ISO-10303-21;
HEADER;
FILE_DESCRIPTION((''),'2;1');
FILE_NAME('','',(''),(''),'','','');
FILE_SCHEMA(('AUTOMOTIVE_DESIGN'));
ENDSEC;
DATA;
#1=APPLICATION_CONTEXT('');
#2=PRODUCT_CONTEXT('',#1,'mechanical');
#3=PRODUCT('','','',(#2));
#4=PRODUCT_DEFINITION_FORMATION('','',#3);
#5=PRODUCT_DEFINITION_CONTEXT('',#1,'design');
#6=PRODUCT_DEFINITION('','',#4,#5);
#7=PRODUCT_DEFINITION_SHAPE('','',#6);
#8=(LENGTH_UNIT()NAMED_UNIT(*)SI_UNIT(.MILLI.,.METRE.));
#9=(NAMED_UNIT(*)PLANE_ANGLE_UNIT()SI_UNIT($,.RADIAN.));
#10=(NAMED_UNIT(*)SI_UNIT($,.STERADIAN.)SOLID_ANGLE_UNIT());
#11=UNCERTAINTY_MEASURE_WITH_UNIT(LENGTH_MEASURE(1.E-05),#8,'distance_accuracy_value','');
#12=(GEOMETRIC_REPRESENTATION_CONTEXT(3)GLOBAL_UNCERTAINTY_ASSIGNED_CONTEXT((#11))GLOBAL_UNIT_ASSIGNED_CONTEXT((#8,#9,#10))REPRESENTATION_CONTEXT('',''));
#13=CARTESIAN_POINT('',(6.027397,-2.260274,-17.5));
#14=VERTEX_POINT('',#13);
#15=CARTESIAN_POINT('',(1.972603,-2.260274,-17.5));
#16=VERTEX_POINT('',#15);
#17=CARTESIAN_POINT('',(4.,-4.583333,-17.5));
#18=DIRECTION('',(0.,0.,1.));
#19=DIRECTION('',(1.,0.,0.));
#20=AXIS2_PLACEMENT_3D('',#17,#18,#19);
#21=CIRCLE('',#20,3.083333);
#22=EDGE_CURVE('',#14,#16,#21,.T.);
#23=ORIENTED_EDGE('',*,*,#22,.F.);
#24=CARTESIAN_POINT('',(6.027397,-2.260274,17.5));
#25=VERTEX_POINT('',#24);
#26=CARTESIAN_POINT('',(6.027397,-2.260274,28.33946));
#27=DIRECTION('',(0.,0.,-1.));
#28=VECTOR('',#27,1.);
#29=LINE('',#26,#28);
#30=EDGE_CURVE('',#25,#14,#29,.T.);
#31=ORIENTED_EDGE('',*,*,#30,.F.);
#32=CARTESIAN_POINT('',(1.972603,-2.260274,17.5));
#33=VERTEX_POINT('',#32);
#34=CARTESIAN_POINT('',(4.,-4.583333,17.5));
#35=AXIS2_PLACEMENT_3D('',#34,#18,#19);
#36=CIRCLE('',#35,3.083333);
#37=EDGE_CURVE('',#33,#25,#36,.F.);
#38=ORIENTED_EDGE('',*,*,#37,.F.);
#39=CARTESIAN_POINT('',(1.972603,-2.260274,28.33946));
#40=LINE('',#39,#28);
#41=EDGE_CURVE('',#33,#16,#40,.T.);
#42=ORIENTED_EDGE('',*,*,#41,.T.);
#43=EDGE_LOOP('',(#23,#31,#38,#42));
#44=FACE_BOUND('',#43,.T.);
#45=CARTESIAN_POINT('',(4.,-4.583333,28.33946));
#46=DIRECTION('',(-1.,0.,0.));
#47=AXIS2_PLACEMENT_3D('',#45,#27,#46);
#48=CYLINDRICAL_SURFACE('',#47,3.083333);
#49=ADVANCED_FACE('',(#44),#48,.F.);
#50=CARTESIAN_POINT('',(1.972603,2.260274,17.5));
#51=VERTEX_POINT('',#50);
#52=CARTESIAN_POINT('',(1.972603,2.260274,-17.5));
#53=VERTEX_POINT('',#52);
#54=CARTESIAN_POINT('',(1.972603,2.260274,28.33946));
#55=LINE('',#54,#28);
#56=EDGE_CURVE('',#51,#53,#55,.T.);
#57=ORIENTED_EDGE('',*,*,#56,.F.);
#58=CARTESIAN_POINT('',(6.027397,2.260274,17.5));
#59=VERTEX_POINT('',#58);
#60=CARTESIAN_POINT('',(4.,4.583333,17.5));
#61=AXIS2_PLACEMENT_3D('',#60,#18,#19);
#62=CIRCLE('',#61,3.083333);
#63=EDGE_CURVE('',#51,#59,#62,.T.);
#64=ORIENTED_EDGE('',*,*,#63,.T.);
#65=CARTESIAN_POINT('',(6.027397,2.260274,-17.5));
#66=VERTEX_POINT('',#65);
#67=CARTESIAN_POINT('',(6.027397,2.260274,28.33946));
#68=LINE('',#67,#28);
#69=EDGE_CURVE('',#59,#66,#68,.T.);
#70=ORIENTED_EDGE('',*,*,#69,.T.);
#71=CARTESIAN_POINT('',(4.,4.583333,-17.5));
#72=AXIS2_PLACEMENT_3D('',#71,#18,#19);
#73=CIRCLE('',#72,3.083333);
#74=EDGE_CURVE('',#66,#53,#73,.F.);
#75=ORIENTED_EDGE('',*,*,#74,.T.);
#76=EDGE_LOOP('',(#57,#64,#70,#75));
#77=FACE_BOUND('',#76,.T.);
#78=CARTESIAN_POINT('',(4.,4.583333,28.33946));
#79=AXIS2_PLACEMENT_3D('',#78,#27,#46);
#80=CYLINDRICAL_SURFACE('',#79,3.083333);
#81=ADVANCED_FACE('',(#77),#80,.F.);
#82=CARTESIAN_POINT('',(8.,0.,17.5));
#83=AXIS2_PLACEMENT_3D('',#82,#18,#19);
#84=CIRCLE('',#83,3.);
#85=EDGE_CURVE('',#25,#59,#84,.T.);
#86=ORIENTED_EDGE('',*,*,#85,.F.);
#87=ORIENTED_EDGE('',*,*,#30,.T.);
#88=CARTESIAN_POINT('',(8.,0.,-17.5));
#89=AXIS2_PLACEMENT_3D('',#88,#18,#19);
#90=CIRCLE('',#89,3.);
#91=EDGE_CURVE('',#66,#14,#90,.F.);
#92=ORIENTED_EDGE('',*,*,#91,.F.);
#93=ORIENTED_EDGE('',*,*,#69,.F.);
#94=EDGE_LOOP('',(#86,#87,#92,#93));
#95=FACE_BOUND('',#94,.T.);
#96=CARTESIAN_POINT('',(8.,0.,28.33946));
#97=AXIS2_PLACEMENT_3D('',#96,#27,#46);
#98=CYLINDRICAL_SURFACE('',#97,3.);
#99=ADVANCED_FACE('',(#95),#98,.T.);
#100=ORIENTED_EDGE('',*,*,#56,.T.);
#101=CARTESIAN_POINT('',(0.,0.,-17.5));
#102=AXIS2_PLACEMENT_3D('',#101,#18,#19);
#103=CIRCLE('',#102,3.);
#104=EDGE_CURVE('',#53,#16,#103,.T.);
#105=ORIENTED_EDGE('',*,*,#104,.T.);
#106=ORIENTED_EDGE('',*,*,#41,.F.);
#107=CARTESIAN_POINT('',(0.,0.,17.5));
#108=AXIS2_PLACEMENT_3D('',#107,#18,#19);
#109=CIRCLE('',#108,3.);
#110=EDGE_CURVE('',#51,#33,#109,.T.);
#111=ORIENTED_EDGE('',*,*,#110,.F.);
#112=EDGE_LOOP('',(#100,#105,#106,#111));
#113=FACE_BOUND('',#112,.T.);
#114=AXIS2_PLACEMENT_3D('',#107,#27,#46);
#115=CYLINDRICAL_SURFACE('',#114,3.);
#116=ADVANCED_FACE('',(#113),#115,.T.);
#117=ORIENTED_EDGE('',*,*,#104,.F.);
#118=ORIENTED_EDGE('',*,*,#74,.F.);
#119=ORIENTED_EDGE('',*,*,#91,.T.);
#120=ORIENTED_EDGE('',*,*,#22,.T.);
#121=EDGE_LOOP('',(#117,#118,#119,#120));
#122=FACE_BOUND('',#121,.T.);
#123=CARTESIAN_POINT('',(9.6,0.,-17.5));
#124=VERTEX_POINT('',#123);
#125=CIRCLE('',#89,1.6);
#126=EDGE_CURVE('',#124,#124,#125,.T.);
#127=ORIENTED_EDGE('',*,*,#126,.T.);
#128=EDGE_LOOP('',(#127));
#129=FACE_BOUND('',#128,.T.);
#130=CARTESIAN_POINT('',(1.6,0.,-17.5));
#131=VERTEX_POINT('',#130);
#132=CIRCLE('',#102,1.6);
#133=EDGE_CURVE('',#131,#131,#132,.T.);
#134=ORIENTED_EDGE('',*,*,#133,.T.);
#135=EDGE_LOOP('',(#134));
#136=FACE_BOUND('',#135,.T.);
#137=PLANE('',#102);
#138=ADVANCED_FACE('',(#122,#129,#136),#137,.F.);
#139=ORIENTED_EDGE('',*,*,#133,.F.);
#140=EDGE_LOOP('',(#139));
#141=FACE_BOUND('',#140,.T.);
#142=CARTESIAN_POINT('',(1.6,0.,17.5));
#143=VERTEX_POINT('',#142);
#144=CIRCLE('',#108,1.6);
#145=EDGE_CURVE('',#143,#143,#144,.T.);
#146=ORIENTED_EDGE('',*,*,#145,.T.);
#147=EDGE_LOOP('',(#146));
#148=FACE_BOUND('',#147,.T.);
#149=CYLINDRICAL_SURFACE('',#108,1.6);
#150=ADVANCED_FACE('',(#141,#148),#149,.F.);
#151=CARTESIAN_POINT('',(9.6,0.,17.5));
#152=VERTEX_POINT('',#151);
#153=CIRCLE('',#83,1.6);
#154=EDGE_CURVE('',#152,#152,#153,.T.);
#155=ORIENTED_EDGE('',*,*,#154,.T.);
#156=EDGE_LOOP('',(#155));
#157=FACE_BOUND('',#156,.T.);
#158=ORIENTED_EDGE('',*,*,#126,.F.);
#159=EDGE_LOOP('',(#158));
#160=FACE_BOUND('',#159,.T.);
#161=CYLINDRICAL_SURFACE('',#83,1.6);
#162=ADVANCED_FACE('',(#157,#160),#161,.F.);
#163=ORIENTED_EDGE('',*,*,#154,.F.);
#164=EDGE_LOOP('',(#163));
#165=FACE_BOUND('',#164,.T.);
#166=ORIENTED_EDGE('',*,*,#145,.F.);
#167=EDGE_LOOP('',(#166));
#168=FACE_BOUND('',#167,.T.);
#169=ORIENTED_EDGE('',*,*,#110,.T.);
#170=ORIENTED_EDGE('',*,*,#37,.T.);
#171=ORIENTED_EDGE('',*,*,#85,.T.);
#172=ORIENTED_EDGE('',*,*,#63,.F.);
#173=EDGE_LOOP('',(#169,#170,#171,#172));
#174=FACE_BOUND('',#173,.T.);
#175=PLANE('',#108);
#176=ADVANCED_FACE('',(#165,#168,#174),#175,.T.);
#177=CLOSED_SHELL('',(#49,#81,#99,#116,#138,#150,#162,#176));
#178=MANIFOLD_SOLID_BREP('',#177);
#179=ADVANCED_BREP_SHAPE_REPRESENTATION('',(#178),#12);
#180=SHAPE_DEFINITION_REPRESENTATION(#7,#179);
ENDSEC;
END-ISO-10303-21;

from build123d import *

# Parameters (mm, degrees)
SKETCH1_R                       = 3
BOSS_EXTRUDE1_DEPTH             = 17.5
M3_CLEARANCE_HOLE_D             = 3.2
BOSS_EXTRUDE2_REACH             = 19.5
SKETCH2_R                       = 3
BOSS_EXTRUDE2_DIRECTION_2_REACH = 19.5
M3_CLEARANCE_HOLE2_D            = 3.2


with BuildPart() as part:
    # Sketch1 → Boss-Extrude1 (new body, symmetric)
    with BuildSketch(Plane.XY):
        Circle(SKETCH1_R)
    extrude(amount=BOSS_EXTRUDE1_DEPTH, both=True)

    # M3 Clearance Hole (through all)
    with Locations(Plane.XY.offset(17.5)):
        with Locations((0, 0)):
            Hole(M3_CLEARANCE_HOLE_D / 2)

    # Boss-Extrude2: up to this face of the body (flat: up to its plane)
    boss_extrude2_end = Plane(part.part.faces().sort_by_distance((-2.915147186, 0, 17.5))[0])
    # Sketch2 → Boss-Extrude2 (add, up to the picked face)
    with BuildSketch(Plane.XY, mode=Mode.PRIVATE) as boss_extrude2_sk1:
        with Locations((8, 0)):
            Circle(SKETCH2_R)
    boss_extrude2_tool1 = split(extrude(boss_extrude2_sk1.sketch, amount=BOSS_EXTRUDE2_REACH, mode=Mode.PRIVATE), bisect_by=boss_extrude2_end, keep=Keep.BOTH, mode=Mode.PRIVATE)
    add(boss_extrude2_tool1.solids().sort_by_distance((8, 0, 0))[0])
    # Sketch2 → Boss-Extrude2 (add, up to the picked face)
    with BuildSketch(Plane.XY, mode=Mode.PRIVATE) as boss_extrude2_sk2:
        with BuildLine():
            ThreePointArc((6.02739726, -2.260273973), (5, 0), (6.02739726, 2.260273973))
            ThreePointArc((6.02739726, 2.260273973), (4, 1.5), (1.97260274, 2.260273973))
            ThreePointArc((1.97260274, 2.260273973), (2.731099432, 1.241408833), (3, 0))
            ThreePointArc((3, 0), (2.731099432, -1.241408833), (1.97260274, -2.260273973))
            ThreePointArc((1.97260274, -2.260273973), (4, -1.5), (6.02739726, -2.260273973))
        make_face()
    boss_extrude2_tool2 = split(extrude(boss_extrude2_sk2.sketch, amount=BOSS_EXTRUDE2_REACH, mode=Mode.PRIVATE), bisect_by=boss_extrude2_end, keep=Keep.BOTH, mode=Mode.PRIVATE)
    add(boss_extrude2_tool2.solids().sort_by_distance((4, 0, 0))[0])

    # Boss-Extrude2 direction 2: up to this face of the body (flat: up to its plane)
    boss_extrude2_direction_2_end = Plane(part.part.faces().sort_by_distance((-2.915147186, 0, -17.5))[0])
    # Sketch2 → Boss-Extrude2 direction 2 (add, up to the picked face)
    with BuildSketch(Plane.XY, mode=Mode.PRIVATE) as boss_extrude2_direction_2_sk1:
        with Locations((8, 0)):
            Circle(SKETCH2_R)
    boss_extrude2_direction_2_tool1 = split(extrude(boss_extrude2_direction_2_sk1.sketch, amount=-BOSS_EXTRUDE2_DIRECTION_2_REACH, mode=Mode.PRIVATE), bisect_by=boss_extrude2_direction_2_end, keep=Keep.BOTH, mode=Mode.PRIVATE)
    add(boss_extrude2_direction_2_tool1.solids().sort_by_distance((8, 0, 0))[0])
    # Sketch2 → Boss-Extrude2 direction 2 (add, up to the picked face)
    with BuildSketch(Plane.XY, mode=Mode.PRIVATE) as boss_extrude2_direction_2_sk2:
        with BuildLine():
            ThreePointArc((6.02739726, -2.260273973), (5, 0), (6.02739726, 2.260273973))
            ThreePointArc((6.02739726, 2.260273973), (4, 1.5), (1.97260274, 2.260273973))
            ThreePointArc((1.97260274, 2.260273973), (2.731099432, 1.241408833), (3, 0))
            ThreePointArc((3, 0), (2.731099432, -1.241408833), (1.97260274, -2.260273973))
            ThreePointArc((1.97260274, -2.260273973), (4, -1.5), (6.02739726, -2.260273973))
        make_face()
    boss_extrude2_direction_2_tool2 = split(extrude(boss_extrude2_direction_2_sk2.sketch, amount=-BOSS_EXTRUDE2_DIRECTION_2_REACH, mode=Mode.PRIVATE), bisect_by=boss_extrude2_direction_2_end, keep=Keep.BOTH, mode=Mode.PRIVATE)
    add(boss_extrude2_direction_2_tool2.solids().sort_by_distance((4, 0, 0))[0])

    # M3 Clearance Hole2 (through all)
    with Locations(Plane.XY.offset(17.5)):
        with Locations((8, 0)):
            Hole(M3_CLEARANCE_HOLE2_D / 2)


solid = part.part
